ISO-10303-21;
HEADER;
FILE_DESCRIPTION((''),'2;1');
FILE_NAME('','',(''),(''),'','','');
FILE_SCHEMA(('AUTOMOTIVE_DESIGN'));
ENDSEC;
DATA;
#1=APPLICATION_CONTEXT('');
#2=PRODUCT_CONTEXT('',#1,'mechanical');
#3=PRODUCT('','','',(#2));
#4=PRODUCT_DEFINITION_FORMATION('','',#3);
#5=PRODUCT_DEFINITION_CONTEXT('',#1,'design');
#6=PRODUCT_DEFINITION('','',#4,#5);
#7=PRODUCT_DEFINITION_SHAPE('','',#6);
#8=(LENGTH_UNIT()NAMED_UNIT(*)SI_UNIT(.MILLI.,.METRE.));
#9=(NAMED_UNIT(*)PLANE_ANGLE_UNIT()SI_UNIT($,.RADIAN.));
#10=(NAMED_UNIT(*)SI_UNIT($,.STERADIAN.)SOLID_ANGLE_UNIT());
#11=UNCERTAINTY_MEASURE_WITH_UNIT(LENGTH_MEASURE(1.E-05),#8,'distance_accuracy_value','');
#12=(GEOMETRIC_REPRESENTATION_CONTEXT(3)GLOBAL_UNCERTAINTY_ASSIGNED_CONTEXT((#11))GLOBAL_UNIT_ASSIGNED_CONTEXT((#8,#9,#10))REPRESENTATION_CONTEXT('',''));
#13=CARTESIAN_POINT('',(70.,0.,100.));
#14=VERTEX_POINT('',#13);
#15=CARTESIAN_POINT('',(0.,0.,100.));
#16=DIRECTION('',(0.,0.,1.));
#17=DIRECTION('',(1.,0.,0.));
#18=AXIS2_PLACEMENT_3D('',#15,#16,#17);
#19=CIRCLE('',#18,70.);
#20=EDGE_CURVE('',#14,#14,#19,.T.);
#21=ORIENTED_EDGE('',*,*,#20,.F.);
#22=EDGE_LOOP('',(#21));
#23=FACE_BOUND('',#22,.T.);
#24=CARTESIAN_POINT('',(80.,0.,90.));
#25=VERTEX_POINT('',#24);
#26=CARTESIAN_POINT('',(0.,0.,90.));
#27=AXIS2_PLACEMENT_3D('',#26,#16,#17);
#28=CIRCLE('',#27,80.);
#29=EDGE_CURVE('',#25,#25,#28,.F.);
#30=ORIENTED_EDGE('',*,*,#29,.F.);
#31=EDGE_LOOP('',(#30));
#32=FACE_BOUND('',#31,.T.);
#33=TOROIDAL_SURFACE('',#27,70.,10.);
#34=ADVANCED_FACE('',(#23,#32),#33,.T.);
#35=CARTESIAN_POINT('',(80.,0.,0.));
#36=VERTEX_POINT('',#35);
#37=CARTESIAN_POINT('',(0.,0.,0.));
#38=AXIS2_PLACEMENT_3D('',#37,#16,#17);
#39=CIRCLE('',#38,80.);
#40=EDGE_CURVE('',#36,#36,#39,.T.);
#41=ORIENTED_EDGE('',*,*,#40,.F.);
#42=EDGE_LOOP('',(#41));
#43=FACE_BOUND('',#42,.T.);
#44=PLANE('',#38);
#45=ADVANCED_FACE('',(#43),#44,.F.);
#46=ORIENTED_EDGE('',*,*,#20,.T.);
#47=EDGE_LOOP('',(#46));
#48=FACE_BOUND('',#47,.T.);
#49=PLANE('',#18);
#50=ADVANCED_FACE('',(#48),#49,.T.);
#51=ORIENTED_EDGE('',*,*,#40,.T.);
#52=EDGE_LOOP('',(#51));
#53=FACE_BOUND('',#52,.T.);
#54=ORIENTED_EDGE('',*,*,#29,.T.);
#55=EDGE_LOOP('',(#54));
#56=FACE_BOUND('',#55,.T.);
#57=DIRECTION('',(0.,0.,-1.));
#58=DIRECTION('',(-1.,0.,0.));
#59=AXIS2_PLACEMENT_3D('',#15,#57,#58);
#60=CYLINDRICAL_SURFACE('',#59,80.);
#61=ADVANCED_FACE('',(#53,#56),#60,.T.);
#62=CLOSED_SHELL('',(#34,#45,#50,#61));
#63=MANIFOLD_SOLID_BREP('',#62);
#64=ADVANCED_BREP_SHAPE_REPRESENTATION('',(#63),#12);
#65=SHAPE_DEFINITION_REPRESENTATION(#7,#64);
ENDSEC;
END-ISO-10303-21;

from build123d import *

# Parameters (mm, degrees)
SKETCH1_R           = 80
BOSS_EXTRUDE1_DEPTH = 100
FILLET1_R           = 10


with BuildPart() as part:
    # Sketch1 → Boss-Extrude1 (new body)
    with BuildSketch(Plane.XY):
        Circle(SKETCH1_R)
    extrude(amount=BOSS_EXTRUDE1_DEPTH)

    # Fillet1
    fillet1_edges = [part.edges().sort_by_distance(p)[0] for p in [
        (-80, 0, 100),
    ]]
    fillet(fillet1_edges, radius=FILLET1_R)


solid = part.part
